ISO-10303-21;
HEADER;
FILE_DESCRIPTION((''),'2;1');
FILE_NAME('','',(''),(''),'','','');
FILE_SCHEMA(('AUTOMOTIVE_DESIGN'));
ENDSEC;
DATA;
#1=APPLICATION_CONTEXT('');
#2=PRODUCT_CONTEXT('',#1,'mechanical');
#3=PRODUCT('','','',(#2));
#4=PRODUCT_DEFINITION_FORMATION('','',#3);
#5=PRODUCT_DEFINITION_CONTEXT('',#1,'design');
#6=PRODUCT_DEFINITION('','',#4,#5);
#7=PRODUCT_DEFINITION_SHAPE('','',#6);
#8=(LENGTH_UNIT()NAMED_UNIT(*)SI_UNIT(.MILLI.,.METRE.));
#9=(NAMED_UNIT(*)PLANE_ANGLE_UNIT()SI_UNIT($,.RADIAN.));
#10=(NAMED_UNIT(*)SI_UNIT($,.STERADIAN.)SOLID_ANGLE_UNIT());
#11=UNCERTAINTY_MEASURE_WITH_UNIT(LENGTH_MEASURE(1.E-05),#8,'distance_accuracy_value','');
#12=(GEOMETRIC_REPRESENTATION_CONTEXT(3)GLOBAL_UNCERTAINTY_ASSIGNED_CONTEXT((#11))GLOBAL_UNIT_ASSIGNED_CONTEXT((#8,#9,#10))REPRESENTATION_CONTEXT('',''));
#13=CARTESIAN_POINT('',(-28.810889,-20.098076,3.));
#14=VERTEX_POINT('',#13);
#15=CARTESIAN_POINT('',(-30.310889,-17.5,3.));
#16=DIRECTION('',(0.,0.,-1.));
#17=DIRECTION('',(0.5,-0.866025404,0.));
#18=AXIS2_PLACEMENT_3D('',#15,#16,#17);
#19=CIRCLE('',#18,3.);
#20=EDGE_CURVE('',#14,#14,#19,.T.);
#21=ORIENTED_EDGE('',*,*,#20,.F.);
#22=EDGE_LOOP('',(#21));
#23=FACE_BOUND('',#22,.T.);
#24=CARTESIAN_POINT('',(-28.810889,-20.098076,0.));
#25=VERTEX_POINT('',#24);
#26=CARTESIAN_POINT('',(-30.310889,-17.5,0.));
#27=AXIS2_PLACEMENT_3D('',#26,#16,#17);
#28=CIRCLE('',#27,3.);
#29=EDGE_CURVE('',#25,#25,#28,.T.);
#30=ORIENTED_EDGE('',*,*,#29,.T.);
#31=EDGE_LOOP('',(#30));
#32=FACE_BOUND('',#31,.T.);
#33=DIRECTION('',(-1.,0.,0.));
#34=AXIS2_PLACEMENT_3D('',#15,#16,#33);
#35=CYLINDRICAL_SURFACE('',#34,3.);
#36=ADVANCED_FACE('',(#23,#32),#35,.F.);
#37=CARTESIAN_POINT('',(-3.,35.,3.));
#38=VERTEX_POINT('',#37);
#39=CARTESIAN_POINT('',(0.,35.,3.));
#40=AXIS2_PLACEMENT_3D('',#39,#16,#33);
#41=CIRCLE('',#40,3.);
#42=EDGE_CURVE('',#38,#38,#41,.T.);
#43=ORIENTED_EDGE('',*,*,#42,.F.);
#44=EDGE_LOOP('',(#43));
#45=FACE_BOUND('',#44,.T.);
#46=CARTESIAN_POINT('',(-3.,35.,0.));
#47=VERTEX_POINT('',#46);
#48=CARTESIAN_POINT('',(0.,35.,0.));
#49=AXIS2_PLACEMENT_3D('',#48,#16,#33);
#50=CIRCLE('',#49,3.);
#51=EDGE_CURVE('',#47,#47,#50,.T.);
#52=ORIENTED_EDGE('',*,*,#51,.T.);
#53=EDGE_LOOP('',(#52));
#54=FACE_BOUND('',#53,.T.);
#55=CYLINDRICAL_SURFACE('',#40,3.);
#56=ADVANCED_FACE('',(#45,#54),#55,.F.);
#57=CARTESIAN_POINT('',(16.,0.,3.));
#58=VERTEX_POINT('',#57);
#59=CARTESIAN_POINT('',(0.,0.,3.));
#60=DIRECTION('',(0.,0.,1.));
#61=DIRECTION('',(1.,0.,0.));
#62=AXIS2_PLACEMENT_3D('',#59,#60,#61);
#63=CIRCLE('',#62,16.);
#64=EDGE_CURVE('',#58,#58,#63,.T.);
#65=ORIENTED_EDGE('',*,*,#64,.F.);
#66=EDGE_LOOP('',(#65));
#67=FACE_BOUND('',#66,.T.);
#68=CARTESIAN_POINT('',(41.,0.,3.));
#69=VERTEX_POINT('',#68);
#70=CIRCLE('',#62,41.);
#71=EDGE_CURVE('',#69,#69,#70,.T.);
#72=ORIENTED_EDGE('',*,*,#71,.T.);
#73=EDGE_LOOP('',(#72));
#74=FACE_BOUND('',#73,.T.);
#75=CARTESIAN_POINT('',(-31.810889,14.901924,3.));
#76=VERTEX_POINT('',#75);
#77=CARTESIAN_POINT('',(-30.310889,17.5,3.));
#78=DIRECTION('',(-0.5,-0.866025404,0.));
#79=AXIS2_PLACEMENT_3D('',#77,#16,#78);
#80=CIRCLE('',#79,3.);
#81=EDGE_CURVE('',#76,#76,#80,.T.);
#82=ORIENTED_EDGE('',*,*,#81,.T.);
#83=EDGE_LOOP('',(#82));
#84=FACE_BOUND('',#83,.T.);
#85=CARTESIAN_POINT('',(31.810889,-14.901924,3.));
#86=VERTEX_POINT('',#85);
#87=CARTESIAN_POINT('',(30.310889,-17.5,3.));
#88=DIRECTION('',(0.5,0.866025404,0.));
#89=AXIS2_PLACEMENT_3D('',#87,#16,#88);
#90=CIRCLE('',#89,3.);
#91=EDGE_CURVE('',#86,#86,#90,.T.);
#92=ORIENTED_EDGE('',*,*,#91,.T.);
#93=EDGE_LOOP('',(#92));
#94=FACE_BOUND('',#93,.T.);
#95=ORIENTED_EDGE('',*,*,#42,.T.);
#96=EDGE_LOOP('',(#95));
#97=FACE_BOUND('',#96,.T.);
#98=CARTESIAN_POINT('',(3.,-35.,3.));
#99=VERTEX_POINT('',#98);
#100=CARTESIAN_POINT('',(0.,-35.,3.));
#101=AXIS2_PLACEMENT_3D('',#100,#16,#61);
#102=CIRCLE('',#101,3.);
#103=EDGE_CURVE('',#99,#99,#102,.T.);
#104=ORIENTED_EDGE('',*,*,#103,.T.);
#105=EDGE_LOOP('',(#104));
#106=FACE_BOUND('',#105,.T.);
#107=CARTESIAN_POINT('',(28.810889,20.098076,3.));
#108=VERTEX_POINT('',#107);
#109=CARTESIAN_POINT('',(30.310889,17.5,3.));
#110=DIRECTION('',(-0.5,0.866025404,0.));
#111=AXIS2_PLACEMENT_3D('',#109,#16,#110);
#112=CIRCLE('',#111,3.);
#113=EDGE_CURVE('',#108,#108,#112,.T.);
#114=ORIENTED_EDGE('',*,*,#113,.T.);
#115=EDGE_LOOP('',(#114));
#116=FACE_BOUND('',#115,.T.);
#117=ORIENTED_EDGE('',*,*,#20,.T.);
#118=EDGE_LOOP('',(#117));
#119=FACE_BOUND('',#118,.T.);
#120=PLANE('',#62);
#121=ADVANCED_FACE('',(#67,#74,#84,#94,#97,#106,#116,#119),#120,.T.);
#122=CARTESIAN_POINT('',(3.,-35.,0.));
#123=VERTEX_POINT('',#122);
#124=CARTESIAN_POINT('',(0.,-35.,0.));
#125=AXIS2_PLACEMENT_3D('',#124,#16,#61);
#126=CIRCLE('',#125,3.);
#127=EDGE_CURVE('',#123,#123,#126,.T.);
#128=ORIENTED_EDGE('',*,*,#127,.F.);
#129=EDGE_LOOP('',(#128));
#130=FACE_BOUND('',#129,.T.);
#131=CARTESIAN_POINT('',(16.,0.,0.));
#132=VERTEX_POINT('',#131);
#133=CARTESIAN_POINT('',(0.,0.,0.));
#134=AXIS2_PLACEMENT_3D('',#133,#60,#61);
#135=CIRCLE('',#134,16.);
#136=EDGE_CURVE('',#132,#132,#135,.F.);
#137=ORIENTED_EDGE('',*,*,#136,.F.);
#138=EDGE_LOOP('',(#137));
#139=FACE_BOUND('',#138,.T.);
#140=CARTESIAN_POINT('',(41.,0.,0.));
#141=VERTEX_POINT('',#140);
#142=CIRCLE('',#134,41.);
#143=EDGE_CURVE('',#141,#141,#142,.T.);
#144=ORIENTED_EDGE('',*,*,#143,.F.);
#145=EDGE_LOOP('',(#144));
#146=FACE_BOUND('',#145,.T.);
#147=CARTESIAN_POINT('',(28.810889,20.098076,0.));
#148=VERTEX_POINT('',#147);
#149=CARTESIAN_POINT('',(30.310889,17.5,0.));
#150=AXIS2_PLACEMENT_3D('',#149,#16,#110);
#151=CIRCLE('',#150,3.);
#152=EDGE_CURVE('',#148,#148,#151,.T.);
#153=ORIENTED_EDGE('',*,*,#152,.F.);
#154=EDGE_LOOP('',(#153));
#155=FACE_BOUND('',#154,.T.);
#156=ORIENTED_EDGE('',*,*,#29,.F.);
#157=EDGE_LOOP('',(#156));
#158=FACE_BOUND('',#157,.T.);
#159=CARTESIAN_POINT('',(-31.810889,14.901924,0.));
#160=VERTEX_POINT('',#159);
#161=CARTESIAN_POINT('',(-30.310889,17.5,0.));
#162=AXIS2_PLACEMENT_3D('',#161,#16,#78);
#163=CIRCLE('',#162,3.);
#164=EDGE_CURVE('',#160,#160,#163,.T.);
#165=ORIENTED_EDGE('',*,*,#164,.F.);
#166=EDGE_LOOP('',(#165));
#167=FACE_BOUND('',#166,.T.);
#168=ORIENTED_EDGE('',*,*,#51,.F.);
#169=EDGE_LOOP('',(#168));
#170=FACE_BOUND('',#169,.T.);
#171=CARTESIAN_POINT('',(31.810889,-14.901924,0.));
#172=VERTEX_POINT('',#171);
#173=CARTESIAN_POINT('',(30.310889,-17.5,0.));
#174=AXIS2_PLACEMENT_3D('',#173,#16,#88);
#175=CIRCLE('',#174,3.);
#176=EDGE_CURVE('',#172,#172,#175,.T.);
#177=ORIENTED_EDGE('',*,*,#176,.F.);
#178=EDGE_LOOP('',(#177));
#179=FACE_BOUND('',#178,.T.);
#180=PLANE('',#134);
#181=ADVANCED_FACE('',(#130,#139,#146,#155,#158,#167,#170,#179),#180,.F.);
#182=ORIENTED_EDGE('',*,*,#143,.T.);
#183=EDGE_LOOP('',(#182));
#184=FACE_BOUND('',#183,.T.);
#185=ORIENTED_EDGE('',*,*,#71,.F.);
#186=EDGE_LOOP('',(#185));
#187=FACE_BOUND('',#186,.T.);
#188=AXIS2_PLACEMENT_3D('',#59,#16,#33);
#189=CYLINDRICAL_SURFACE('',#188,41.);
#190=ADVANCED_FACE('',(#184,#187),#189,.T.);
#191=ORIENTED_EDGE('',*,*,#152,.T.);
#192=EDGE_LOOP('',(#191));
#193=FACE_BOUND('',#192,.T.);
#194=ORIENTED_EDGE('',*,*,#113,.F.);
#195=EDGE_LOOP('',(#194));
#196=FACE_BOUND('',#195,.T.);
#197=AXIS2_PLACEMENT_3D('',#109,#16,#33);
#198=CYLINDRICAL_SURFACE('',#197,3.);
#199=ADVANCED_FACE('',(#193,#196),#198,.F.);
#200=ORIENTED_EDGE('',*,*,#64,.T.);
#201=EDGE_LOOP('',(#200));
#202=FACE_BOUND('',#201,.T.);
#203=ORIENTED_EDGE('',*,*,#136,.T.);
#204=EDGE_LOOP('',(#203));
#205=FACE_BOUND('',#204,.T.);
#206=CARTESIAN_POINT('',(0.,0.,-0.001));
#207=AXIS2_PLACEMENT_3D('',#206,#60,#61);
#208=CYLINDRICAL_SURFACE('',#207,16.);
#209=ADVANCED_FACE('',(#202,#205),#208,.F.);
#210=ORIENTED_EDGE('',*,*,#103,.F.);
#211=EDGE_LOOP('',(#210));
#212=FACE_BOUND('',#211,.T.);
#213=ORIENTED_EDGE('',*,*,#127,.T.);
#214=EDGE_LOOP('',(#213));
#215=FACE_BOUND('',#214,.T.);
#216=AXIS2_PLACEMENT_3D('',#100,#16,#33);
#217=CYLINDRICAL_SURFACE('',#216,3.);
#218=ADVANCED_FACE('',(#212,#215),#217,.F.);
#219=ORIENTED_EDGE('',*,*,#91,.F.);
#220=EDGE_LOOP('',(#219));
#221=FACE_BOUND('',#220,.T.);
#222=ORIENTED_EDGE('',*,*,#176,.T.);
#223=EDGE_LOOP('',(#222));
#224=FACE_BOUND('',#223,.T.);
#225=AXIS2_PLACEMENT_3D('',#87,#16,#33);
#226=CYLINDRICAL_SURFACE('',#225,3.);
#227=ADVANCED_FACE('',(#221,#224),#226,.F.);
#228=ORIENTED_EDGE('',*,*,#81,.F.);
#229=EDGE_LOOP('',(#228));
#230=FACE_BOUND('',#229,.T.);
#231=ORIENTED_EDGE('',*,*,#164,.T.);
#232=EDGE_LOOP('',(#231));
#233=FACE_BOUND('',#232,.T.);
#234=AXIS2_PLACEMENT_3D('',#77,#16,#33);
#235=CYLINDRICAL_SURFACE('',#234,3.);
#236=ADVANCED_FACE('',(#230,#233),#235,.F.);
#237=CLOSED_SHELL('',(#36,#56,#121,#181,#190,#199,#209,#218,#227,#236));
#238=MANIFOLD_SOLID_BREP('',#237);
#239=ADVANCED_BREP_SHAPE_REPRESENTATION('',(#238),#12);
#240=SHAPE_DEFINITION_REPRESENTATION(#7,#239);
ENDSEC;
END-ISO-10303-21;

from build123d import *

# Parameters (mm, degrees)
SKETCH1_R           = 41
BOSS_EXTRUDE1_DEPTH = 3
SKETCH3_R           = 3
CUT_EXTRUDE1_DEPTH  = 4
CIRPATTERN1_COUNT   = 6
CUT_EXTRUDE2_REACH  = 5
SKETCH4_R           = 16


with BuildPart() as part:
    # Sketch1 → Boss-Extrude1 (new body)
    with BuildSketch(Plane.XY):
        Circle(SKETCH1_R)
    extrude(amount=BOSS_EXTRUDE1_DEPTH)

    # Sketch3 → Cut-Extrude1 (cut, through all)
    with BuildSketch(Plane(origin=(0, 0, 0), x_dir=(-1, 0, 0), z_dir=(0, 0, -1))):
        with Locations((0, 35)):
            Circle(SKETCH3_R)
    cut_extrude1 = extrude(amount=-CUT_EXTRUDE1_DEPTH, mode=Mode.SUBTRACT)

    # CirPattern1: Cut-Extrude1 ×6 about axis
    cirpattern1_axis = Axis((0, 0, 0), (0, 0, 1))
    for i in range(1, CIRPATTERN1_COUNT):
        add(cut_extrude1.rotate(cirpattern1_axis, i * 360 / CIRPATTERN1_COUNT), mode=Mode.SUBTRACT)

    # Sketch4 → Cut-Extrude2 (cut, up to next)
    with BuildSketch(Plane.XY.offset(3), mode=Mode.PRIVATE) as cut_extrude2_sk1:
        Circle(SKETCH4_R)
    cut_extrude2_tool1 = extrude(cut_extrude2_sk1.sketch, amount=-CUT_EXTRUDE2_REACH, mode=Mode.PRIVATE) & part.part
    add(cut_extrude2_tool1.solids().sort_by_distance((0, 0, 3))[0], mode=Mode.SUBTRACT)


solid = part.part
